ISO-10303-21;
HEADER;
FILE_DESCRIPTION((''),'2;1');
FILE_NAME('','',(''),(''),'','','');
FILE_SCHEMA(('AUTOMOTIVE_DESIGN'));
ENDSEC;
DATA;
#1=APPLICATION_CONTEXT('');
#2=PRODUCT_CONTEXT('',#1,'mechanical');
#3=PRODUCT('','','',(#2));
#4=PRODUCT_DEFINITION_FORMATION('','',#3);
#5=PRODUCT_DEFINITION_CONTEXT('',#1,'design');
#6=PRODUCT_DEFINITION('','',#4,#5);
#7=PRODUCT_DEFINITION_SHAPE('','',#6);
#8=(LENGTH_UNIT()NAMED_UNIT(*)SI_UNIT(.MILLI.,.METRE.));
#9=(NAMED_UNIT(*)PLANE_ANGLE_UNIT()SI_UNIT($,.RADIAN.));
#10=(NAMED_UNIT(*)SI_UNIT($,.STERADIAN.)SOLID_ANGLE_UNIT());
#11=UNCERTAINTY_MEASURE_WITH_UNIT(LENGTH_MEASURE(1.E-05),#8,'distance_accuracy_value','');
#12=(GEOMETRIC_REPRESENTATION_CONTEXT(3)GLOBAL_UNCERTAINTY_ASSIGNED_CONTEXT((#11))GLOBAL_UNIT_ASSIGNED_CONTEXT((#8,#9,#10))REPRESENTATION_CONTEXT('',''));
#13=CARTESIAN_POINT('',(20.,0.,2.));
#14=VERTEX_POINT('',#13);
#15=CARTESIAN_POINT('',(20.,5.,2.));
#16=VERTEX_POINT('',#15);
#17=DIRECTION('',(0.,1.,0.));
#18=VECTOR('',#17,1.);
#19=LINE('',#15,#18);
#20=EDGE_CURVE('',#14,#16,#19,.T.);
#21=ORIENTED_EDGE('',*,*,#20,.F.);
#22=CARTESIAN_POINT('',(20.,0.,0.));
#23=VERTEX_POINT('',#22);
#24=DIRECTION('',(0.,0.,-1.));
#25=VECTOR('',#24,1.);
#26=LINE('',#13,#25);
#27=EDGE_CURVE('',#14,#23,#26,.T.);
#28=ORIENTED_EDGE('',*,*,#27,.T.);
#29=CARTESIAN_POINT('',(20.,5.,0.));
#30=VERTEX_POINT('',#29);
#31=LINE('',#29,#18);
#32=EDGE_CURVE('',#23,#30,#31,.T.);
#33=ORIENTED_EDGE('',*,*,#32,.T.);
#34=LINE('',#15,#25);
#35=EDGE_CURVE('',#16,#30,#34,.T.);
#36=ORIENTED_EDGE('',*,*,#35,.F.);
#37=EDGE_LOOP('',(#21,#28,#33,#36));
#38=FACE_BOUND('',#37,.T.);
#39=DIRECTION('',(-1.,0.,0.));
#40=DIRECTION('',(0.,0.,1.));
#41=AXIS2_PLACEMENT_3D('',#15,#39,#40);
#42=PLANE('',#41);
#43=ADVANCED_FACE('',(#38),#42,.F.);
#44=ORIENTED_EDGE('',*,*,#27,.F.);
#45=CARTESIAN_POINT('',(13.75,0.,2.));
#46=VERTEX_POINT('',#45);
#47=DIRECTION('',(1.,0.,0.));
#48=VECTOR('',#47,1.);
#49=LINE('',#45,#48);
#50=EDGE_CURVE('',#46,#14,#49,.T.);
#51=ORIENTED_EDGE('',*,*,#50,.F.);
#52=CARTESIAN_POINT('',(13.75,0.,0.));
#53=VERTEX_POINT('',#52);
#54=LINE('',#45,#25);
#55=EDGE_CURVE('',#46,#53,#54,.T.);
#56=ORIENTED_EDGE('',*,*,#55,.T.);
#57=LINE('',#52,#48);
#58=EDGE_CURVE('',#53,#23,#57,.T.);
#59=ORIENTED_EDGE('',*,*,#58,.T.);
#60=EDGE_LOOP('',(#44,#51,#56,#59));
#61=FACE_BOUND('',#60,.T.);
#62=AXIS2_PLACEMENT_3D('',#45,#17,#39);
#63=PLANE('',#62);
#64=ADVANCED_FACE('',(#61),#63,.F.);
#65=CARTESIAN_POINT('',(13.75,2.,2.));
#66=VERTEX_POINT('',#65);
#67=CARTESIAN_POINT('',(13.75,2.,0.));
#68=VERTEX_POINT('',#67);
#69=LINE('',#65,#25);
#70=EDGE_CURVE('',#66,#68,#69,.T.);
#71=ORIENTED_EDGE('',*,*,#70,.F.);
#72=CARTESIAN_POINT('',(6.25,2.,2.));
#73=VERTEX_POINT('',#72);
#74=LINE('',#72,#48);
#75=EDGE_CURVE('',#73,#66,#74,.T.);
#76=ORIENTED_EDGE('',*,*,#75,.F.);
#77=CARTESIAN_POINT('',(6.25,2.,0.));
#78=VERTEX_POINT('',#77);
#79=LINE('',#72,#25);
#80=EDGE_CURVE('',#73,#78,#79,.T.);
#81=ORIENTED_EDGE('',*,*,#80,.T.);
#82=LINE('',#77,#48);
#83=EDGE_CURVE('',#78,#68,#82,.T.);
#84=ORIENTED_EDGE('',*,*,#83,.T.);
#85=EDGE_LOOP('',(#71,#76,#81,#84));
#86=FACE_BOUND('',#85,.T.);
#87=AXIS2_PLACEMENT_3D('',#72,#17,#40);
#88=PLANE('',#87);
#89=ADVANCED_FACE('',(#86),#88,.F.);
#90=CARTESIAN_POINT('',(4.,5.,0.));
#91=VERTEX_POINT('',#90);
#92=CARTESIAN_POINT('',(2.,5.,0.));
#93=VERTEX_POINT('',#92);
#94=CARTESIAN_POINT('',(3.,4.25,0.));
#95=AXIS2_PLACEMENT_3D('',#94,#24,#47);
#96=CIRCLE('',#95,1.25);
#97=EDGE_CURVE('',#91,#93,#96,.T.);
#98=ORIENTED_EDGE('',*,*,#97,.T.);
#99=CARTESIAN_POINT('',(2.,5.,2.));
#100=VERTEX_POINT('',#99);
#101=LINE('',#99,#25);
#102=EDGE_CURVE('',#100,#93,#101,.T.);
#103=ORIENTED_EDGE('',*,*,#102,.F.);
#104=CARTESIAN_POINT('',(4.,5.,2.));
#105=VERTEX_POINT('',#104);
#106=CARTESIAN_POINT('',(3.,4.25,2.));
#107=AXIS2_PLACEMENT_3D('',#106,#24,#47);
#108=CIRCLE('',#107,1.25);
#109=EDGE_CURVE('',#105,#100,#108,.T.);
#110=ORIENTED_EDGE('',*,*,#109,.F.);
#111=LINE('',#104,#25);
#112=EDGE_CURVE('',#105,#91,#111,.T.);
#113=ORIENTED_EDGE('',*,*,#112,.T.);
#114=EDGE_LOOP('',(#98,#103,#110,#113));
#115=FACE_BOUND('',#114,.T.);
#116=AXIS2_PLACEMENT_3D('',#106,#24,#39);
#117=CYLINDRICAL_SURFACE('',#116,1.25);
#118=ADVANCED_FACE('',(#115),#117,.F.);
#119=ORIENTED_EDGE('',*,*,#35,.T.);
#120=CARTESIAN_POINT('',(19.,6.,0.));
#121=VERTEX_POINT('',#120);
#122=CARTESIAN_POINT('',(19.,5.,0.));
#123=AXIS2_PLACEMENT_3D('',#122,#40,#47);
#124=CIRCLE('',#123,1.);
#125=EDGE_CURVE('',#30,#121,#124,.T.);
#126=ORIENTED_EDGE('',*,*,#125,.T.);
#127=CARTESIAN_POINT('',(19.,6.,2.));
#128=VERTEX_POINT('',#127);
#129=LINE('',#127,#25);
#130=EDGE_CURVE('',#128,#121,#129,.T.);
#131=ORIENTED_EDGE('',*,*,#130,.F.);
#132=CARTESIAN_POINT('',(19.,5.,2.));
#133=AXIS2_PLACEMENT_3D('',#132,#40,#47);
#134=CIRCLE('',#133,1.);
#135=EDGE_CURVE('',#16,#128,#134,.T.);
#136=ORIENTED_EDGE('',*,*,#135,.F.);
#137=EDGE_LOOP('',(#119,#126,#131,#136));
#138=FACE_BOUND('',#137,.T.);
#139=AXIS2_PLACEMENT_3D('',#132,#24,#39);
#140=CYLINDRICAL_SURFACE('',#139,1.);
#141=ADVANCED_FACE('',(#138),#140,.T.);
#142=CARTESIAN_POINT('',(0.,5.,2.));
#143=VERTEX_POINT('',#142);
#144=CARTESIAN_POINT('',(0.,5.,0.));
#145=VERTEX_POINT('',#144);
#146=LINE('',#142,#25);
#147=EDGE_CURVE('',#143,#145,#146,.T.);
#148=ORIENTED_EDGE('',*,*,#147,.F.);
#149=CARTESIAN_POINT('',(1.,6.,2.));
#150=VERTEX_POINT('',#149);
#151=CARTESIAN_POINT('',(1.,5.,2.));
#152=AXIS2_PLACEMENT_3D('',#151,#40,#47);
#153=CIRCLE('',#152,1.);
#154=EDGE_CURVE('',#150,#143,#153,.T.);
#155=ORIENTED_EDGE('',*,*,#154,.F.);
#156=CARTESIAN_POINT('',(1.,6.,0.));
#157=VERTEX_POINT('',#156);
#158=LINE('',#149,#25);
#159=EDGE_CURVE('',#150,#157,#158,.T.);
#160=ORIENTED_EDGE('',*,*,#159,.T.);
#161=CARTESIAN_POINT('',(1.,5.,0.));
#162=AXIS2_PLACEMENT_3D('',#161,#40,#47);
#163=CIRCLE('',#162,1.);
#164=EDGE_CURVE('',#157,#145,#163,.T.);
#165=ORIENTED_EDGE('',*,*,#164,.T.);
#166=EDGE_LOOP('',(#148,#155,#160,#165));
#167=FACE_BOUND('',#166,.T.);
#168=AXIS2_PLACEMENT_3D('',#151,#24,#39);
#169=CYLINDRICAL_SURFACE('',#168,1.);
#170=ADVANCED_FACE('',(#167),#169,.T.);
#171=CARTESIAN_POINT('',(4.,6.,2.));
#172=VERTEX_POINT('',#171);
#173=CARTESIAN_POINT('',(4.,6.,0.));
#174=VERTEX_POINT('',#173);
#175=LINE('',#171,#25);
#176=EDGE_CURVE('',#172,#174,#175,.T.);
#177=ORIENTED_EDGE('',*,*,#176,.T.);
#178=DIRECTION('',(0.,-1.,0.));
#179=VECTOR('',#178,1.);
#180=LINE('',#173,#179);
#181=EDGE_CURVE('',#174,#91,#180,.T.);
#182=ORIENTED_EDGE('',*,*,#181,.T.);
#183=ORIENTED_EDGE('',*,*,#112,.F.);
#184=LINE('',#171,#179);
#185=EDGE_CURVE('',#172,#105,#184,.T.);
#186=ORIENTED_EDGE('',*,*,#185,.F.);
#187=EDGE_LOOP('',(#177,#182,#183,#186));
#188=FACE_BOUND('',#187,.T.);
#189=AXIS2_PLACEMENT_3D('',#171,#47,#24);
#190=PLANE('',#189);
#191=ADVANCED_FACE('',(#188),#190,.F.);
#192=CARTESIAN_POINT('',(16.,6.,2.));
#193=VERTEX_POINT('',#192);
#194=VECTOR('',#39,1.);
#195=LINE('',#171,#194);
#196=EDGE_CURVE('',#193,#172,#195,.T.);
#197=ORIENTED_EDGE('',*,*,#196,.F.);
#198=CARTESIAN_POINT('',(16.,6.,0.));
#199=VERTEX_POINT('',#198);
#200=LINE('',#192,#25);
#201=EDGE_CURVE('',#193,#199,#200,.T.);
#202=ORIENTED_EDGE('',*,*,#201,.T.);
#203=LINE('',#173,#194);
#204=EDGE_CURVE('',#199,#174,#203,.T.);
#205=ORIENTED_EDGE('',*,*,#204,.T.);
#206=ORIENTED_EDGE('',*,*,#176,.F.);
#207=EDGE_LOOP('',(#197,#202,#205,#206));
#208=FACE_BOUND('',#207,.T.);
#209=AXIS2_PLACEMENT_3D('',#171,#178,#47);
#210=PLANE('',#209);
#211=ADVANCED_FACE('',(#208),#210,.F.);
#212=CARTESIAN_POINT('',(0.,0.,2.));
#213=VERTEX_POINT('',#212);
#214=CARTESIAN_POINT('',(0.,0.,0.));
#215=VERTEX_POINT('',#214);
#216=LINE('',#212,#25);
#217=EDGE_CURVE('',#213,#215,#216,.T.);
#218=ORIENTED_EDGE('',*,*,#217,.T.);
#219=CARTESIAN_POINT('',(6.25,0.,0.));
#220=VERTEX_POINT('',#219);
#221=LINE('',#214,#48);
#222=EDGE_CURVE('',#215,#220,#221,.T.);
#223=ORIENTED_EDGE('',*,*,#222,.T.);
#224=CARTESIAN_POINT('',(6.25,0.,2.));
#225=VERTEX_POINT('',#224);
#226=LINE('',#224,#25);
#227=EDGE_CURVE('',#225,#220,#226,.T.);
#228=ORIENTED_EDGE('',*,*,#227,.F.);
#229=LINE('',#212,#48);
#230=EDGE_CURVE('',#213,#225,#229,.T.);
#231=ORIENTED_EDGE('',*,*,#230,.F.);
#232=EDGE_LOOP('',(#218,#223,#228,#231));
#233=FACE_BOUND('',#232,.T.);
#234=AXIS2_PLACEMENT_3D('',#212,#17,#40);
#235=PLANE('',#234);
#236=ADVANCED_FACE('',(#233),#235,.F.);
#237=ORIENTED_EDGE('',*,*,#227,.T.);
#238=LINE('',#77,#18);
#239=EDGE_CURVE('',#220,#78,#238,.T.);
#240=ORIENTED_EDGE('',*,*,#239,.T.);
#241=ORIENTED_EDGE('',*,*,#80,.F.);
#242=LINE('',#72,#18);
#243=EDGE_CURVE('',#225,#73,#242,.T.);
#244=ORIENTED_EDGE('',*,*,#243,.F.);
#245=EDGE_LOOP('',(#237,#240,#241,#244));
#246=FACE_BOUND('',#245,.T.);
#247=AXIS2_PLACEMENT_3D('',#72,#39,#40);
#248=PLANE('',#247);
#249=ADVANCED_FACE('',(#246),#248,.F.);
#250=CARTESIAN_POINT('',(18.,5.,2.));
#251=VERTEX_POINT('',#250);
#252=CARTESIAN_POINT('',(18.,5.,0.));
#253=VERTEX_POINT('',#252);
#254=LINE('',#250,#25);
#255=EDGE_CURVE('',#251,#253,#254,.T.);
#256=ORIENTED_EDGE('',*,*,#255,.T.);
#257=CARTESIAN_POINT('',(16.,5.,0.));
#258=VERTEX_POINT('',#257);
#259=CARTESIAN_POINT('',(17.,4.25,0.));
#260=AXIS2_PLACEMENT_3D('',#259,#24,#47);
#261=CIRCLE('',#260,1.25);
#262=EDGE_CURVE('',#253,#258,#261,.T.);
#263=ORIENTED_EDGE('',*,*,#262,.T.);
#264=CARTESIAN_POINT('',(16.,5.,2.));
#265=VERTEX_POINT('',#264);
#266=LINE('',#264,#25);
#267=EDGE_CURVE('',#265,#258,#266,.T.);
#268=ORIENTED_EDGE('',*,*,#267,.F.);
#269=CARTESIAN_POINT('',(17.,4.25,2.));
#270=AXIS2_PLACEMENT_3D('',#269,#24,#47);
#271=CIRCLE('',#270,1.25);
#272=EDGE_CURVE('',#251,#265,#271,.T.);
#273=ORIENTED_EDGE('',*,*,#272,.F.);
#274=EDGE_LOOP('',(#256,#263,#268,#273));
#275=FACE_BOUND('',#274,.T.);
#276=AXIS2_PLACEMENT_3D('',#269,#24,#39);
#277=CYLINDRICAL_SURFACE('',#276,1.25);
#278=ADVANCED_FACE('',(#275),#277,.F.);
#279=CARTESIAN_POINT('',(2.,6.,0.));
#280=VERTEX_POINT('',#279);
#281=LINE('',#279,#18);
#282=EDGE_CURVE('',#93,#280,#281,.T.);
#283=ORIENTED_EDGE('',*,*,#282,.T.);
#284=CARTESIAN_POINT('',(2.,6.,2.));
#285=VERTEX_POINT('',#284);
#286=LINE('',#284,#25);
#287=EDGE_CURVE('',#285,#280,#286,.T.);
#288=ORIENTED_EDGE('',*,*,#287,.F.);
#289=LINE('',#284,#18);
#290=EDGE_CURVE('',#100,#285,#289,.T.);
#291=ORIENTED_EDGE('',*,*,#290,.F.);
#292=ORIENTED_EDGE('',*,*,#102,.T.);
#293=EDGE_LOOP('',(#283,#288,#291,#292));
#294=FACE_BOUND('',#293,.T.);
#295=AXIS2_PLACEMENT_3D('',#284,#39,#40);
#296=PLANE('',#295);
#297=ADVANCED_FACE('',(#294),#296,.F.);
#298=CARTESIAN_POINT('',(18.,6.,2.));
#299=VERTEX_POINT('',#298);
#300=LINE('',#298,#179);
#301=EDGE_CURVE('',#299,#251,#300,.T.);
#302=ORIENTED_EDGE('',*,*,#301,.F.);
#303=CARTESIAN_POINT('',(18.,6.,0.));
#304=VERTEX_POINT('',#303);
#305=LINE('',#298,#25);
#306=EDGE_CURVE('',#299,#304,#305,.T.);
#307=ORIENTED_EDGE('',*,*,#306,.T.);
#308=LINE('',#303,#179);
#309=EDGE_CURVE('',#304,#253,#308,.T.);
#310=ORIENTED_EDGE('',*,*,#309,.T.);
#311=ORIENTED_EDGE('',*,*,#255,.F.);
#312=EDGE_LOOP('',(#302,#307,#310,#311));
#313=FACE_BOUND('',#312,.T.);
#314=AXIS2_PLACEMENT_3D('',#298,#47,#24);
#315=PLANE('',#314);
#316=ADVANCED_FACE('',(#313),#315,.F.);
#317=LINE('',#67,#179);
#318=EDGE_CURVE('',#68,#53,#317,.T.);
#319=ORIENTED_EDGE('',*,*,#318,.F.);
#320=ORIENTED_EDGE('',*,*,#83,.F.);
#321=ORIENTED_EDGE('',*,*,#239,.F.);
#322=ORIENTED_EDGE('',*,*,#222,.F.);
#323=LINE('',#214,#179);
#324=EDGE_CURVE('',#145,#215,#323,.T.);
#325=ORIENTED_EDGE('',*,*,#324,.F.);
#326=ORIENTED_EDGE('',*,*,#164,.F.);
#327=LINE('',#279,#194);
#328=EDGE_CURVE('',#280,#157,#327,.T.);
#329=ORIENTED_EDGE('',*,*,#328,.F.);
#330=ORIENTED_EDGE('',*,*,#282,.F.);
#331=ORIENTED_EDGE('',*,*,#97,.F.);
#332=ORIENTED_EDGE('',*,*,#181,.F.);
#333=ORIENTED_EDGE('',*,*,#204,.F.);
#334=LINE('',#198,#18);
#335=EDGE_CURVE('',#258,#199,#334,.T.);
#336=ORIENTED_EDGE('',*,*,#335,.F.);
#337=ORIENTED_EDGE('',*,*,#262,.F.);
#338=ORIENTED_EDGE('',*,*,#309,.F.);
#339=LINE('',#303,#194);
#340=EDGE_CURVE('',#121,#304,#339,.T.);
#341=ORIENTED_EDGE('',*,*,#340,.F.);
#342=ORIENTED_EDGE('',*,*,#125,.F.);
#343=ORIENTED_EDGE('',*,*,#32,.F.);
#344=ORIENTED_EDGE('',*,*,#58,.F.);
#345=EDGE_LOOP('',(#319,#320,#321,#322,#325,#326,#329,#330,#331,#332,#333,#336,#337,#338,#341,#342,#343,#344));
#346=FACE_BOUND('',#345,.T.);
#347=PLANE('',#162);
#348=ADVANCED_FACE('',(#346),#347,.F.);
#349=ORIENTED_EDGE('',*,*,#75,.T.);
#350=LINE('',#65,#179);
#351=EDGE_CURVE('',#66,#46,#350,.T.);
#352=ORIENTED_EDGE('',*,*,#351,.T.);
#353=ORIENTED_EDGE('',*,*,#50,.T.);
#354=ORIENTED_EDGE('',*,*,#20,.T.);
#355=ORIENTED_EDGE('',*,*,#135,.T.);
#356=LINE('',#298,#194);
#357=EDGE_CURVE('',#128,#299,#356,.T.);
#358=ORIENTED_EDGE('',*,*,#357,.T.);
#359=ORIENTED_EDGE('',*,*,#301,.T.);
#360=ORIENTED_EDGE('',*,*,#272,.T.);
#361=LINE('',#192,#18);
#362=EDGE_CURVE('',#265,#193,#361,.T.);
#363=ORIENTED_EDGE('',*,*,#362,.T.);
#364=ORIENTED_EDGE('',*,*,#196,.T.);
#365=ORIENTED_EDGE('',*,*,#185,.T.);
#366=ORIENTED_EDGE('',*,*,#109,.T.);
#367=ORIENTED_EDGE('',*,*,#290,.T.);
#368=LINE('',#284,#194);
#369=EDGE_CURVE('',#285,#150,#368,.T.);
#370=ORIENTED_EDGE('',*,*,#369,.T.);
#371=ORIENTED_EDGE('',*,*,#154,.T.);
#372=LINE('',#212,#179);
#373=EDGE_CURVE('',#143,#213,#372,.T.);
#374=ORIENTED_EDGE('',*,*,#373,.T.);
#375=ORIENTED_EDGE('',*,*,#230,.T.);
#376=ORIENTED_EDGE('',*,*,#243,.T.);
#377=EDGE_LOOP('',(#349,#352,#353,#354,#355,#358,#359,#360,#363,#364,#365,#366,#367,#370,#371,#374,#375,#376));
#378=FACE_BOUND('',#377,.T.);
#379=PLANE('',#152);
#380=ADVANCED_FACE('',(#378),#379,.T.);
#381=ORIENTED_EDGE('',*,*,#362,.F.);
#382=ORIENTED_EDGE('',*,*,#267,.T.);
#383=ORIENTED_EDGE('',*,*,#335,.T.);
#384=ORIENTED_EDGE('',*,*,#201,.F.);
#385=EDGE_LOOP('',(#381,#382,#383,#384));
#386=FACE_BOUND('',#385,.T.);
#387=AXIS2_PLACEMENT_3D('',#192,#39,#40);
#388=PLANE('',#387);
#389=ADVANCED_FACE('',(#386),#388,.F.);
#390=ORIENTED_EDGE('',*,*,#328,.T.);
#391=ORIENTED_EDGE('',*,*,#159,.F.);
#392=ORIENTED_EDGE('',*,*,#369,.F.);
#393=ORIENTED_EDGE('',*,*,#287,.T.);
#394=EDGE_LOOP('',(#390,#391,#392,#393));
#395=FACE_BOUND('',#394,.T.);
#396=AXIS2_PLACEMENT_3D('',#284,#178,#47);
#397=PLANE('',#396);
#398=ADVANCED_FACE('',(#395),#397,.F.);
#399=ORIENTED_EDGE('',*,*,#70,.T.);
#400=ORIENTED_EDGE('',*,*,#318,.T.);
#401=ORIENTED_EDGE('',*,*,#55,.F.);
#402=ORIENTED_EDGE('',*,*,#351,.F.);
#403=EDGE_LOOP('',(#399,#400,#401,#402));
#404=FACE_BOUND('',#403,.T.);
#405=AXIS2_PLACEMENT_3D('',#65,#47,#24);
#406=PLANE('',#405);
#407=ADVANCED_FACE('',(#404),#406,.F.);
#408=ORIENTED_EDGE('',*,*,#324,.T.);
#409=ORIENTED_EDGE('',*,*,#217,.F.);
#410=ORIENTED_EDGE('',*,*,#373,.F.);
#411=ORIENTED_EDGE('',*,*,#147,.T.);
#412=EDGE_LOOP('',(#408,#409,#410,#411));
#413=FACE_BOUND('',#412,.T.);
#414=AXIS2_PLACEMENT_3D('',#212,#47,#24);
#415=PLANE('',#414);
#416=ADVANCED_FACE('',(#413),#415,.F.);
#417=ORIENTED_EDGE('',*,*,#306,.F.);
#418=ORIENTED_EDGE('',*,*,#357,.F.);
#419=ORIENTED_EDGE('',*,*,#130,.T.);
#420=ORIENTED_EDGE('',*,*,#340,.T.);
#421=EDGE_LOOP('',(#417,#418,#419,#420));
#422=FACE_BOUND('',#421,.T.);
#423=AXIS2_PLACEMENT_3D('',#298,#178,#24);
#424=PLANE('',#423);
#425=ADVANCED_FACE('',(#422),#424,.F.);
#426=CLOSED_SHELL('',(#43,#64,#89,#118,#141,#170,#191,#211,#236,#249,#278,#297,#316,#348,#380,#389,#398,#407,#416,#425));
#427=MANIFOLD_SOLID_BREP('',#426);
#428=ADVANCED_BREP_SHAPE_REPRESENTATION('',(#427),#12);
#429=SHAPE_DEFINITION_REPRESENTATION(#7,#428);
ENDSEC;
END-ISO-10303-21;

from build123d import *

# Parameters (mm, degrees)
BOSS_EXTRUDE1_DEPTH = 2


with BuildPart() as part:
    # Model → Boss-Extrude1 (new body)
    with BuildSketch(Plane.XY):
        with BuildLine():
            Line((6.25, 2), (13.75, 2))
            Line((13.75, 2), (13.75, 0))
            Line((13.75, 0), (20, 0))
            Line((20, 0), (20, 5))
            ThreePointArc((20, 5), (19.707106781, 5.707106781), (19, 6))
            Line((19, 6), (18, 6))
            Line((18, 6), (18, 5))
            ThreePointArc((18, 5), (17, 3), (16, 5))
            Line((16, 5), (16, 6))
            Line((16, 6), (4, 6))
            Line((4, 6), (4, 5))
            ThreePointArc((4, 5), (3, 3), (2, 5))
            Line((2, 5), (2, 6))
            Line((2, 6), (1, 6))
            ThreePointArc((1, 6), (0.292893219, 5.707106781), (0, 5))
            Line((0, 5), (0, 0))
            Line((0, 0), (6.25, 0))
            Line((6.25, 0), (6.25, 2))
        make_face()
    extrude(amount=BOSS_EXTRUDE1_DEPTH)


solid = part.part
